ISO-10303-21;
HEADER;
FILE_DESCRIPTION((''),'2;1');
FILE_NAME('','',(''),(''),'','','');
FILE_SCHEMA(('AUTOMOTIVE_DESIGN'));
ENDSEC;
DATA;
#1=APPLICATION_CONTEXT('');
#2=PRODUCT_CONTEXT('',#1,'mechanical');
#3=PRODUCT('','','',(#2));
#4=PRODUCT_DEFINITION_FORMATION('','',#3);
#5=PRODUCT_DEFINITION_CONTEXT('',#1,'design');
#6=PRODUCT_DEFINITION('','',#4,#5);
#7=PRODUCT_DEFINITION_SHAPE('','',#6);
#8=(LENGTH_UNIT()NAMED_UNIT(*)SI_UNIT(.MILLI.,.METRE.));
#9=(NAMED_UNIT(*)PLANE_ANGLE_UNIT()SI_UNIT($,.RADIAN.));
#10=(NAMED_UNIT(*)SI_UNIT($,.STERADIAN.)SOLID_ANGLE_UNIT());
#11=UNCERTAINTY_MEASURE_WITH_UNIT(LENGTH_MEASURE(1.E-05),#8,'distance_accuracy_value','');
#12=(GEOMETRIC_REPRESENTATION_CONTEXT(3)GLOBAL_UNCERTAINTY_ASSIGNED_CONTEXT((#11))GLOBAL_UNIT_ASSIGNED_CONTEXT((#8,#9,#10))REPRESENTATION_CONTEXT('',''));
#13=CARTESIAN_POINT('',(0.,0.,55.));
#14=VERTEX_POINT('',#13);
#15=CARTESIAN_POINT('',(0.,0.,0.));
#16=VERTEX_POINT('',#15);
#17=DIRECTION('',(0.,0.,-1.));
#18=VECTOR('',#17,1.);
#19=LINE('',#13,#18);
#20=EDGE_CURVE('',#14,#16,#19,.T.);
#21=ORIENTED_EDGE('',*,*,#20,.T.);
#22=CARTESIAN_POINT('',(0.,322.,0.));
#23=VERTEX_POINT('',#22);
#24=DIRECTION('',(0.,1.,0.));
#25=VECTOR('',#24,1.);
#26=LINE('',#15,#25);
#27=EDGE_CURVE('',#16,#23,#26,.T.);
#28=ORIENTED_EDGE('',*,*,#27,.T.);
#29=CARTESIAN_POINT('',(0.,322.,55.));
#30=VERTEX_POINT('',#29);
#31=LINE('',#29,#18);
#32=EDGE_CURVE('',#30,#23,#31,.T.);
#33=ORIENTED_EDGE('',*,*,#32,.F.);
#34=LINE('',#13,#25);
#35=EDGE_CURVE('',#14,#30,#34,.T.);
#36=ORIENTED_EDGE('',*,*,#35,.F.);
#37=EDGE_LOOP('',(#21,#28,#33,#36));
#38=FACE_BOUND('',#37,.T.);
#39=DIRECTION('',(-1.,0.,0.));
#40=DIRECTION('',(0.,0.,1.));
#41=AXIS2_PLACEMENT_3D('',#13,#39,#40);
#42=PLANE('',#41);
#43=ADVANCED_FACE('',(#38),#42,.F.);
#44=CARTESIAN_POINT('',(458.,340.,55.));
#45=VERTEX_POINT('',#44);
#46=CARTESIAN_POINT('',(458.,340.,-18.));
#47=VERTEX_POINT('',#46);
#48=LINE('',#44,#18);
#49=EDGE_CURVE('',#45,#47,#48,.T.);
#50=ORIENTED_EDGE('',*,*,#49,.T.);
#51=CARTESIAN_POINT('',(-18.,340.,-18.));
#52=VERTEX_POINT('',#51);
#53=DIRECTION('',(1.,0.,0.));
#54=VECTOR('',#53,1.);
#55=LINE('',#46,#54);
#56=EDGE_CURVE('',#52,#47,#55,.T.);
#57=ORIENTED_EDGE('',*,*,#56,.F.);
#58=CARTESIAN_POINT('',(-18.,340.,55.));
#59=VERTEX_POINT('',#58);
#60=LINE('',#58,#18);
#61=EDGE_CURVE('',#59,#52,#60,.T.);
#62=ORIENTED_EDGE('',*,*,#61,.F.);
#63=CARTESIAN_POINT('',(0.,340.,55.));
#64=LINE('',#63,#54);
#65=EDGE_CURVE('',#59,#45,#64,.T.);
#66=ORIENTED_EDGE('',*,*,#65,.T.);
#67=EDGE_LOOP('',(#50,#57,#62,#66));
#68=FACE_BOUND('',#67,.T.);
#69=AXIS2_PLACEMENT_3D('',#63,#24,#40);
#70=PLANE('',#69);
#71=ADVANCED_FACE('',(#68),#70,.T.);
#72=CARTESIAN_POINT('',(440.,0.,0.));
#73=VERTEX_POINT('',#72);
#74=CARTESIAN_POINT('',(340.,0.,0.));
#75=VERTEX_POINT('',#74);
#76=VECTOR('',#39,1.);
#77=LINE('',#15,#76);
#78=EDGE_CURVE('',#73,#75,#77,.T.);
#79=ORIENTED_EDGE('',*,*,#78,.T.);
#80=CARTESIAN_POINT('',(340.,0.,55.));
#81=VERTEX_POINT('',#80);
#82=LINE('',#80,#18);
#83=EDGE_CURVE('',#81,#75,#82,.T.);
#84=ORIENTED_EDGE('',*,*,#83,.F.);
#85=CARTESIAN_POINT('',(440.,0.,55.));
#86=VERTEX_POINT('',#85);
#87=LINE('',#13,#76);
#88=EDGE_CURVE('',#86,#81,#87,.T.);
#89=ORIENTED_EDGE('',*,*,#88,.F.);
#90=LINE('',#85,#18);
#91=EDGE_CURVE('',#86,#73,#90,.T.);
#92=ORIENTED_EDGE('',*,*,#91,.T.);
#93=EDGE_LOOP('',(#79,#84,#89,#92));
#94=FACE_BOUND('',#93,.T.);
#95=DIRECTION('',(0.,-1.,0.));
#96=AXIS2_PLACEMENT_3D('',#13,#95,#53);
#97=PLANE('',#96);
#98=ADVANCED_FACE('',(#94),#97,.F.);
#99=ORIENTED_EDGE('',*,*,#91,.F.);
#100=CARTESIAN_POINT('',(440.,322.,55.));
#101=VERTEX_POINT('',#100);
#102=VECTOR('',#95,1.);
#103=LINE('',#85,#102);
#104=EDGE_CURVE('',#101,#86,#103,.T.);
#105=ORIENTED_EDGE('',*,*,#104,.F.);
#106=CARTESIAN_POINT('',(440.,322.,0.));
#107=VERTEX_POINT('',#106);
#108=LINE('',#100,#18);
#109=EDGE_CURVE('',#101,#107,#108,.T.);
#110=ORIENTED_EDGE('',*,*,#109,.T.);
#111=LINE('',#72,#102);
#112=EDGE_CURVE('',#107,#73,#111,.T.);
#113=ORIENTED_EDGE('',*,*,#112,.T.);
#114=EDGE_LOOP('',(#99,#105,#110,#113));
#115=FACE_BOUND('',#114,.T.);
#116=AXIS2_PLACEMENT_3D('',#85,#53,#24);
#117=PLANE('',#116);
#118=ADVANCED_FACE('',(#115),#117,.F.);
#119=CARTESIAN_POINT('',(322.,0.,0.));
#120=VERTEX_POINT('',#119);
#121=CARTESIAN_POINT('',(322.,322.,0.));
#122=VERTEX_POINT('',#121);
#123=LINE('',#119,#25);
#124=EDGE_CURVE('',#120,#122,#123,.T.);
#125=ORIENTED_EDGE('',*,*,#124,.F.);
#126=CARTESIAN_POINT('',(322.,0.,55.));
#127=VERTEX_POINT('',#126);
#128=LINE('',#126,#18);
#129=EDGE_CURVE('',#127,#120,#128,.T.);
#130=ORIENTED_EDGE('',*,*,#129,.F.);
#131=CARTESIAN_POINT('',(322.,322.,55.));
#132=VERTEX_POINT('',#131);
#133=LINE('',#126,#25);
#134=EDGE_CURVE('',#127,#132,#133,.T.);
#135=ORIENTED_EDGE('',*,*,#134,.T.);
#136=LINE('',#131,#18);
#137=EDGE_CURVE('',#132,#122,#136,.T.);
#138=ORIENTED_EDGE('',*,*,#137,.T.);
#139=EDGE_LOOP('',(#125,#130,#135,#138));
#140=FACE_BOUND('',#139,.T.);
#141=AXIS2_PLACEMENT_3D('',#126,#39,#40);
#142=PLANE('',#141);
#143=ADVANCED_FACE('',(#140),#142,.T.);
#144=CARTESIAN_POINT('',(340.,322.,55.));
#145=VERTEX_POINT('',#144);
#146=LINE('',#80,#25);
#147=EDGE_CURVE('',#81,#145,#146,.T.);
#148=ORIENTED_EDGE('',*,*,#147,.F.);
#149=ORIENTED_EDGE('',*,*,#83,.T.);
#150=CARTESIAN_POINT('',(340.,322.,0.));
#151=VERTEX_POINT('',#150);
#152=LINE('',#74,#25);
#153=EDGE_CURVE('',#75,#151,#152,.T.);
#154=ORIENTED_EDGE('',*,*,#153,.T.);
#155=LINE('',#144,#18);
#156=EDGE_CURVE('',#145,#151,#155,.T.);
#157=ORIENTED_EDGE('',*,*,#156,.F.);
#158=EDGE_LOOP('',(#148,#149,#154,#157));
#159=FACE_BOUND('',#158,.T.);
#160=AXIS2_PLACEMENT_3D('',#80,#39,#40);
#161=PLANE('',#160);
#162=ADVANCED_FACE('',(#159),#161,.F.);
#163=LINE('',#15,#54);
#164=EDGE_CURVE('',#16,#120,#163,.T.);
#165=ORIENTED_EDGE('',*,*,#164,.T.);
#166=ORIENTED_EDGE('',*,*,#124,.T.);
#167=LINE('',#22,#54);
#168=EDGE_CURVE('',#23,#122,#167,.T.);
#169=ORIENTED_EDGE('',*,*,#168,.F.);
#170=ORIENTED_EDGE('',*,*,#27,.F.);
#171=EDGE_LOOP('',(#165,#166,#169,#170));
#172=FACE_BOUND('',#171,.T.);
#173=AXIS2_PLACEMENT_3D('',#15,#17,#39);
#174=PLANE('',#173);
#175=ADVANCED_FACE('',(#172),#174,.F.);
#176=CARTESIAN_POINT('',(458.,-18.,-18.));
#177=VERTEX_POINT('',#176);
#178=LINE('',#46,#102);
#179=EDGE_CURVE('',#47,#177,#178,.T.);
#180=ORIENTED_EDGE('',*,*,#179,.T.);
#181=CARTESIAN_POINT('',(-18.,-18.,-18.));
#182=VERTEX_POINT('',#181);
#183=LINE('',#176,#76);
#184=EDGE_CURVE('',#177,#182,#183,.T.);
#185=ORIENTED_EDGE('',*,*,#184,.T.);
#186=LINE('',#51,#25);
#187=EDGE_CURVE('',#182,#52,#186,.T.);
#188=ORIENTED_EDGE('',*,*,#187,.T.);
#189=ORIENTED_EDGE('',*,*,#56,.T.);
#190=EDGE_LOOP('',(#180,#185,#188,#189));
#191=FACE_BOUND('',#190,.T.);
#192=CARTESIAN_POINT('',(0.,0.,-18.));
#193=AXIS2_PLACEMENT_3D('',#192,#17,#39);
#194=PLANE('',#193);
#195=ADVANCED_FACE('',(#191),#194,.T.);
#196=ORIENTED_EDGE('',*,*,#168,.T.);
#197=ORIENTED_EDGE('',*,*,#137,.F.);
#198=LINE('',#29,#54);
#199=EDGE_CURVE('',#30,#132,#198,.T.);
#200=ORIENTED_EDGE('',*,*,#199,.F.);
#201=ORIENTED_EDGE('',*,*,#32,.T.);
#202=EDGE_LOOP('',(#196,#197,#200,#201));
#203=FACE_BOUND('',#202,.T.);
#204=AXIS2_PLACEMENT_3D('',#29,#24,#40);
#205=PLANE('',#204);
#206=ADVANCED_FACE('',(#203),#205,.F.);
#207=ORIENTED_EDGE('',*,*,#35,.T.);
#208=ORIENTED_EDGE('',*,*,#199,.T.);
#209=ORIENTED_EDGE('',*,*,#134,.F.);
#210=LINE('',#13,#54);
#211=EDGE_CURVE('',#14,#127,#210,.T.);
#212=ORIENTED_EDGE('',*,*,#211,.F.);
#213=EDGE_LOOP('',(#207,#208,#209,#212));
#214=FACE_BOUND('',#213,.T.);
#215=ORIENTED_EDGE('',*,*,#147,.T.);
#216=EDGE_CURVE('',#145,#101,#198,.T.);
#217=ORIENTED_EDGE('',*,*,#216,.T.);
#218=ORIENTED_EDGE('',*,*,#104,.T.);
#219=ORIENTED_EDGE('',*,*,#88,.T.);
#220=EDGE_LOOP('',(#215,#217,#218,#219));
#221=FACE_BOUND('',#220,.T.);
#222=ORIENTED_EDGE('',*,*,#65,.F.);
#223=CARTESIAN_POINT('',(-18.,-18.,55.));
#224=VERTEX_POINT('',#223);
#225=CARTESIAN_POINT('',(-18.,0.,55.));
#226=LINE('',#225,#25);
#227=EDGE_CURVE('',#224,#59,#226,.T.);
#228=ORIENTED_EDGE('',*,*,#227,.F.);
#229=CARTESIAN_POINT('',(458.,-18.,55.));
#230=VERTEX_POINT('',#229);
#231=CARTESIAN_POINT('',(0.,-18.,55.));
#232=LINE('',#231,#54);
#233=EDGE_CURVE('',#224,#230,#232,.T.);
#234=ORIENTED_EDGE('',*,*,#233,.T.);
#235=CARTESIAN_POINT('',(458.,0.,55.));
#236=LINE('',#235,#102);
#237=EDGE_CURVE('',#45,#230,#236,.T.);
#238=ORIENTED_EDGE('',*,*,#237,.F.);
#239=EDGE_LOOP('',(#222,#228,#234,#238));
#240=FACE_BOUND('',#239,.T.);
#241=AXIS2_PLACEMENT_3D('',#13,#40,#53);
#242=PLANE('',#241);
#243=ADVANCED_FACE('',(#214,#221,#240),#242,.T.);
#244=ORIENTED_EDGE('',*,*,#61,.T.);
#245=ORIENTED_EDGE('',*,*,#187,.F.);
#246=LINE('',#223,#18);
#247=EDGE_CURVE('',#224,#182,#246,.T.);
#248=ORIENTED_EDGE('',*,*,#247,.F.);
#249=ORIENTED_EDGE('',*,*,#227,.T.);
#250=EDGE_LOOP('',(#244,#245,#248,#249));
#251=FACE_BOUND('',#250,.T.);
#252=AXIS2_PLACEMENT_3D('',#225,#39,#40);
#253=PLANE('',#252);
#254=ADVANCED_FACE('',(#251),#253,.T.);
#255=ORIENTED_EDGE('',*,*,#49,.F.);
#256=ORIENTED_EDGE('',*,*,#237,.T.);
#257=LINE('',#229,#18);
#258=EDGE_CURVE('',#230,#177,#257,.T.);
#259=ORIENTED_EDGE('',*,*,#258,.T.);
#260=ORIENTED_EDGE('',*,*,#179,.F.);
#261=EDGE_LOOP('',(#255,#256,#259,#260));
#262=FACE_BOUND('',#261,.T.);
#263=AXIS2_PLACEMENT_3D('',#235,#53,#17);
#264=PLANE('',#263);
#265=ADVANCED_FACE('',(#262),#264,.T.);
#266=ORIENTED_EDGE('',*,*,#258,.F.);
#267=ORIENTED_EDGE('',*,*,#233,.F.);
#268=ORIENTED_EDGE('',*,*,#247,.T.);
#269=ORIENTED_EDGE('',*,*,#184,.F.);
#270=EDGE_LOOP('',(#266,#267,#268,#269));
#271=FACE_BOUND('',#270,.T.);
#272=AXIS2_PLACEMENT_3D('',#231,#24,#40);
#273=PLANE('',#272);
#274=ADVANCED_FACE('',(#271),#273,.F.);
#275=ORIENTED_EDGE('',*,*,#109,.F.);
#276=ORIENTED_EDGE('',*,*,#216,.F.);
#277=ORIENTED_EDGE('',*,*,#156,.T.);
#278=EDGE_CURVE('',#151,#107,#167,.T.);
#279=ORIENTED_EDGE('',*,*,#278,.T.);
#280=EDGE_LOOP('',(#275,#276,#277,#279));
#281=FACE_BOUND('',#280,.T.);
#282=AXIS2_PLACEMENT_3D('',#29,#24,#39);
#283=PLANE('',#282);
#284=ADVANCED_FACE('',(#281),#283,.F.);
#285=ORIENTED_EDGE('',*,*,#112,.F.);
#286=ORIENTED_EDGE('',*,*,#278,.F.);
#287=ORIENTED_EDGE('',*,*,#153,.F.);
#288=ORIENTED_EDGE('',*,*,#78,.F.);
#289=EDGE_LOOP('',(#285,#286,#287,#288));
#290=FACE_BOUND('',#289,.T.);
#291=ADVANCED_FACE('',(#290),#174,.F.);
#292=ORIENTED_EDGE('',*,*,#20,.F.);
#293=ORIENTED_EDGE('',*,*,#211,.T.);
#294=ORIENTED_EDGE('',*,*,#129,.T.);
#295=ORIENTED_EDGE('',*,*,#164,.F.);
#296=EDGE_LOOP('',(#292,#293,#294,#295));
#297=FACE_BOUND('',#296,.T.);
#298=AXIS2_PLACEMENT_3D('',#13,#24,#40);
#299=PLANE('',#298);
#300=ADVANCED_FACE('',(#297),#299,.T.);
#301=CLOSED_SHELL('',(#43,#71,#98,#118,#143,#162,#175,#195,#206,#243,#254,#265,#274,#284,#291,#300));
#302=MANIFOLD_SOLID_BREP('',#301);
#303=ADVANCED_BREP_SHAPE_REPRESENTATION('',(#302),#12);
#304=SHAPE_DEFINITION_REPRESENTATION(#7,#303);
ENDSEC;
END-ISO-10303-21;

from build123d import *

# Parameters (mm, degrees)
SKETCH1_W           = 322
SKETCH1_H           = 322
SKETCH1_W_2         = 100
BOSS_EXTRUDE1_DEPTH = 55
SKETCH2_W           = 476
SKETCH2_H           = 358
BOSS_EXTRUDE2_DEPTH = 18


with BuildPart() as part:
    # Sketch1 → Boss-Extrude1 (new body)
    with BuildSketch(Plane.XY):
        Polygon((-18, -18), (340, -18), (458, -18), (458, 340), (340, 340), (-18, 340), align=None)
        with Locations((161, 161)):
            Rectangle(SKETCH1_W, SKETCH1_H, mode=Mode.SUBTRACT)
        with Locations((390, 161)):
            Rectangle(SKETCH1_W_2, SKETCH1_H, mode=Mode.SUBTRACT)
    extrude(amount=BOSS_EXTRUDE1_DEPTH)

    # Sketch2 → Boss-Extrude2 (add)
    with BuildSketch(Plane(origin=(0, 0, 0), x_dir=(-1, 0, 0), z_dir=(0, 0, -1))):
        with Locations((-220, 161)):
            Rectangle(SKETCH2_W, SKETCH2_H)
    extrude(amount=BOSS_EXTRUDE2_DEPTH)


solid = part.part
